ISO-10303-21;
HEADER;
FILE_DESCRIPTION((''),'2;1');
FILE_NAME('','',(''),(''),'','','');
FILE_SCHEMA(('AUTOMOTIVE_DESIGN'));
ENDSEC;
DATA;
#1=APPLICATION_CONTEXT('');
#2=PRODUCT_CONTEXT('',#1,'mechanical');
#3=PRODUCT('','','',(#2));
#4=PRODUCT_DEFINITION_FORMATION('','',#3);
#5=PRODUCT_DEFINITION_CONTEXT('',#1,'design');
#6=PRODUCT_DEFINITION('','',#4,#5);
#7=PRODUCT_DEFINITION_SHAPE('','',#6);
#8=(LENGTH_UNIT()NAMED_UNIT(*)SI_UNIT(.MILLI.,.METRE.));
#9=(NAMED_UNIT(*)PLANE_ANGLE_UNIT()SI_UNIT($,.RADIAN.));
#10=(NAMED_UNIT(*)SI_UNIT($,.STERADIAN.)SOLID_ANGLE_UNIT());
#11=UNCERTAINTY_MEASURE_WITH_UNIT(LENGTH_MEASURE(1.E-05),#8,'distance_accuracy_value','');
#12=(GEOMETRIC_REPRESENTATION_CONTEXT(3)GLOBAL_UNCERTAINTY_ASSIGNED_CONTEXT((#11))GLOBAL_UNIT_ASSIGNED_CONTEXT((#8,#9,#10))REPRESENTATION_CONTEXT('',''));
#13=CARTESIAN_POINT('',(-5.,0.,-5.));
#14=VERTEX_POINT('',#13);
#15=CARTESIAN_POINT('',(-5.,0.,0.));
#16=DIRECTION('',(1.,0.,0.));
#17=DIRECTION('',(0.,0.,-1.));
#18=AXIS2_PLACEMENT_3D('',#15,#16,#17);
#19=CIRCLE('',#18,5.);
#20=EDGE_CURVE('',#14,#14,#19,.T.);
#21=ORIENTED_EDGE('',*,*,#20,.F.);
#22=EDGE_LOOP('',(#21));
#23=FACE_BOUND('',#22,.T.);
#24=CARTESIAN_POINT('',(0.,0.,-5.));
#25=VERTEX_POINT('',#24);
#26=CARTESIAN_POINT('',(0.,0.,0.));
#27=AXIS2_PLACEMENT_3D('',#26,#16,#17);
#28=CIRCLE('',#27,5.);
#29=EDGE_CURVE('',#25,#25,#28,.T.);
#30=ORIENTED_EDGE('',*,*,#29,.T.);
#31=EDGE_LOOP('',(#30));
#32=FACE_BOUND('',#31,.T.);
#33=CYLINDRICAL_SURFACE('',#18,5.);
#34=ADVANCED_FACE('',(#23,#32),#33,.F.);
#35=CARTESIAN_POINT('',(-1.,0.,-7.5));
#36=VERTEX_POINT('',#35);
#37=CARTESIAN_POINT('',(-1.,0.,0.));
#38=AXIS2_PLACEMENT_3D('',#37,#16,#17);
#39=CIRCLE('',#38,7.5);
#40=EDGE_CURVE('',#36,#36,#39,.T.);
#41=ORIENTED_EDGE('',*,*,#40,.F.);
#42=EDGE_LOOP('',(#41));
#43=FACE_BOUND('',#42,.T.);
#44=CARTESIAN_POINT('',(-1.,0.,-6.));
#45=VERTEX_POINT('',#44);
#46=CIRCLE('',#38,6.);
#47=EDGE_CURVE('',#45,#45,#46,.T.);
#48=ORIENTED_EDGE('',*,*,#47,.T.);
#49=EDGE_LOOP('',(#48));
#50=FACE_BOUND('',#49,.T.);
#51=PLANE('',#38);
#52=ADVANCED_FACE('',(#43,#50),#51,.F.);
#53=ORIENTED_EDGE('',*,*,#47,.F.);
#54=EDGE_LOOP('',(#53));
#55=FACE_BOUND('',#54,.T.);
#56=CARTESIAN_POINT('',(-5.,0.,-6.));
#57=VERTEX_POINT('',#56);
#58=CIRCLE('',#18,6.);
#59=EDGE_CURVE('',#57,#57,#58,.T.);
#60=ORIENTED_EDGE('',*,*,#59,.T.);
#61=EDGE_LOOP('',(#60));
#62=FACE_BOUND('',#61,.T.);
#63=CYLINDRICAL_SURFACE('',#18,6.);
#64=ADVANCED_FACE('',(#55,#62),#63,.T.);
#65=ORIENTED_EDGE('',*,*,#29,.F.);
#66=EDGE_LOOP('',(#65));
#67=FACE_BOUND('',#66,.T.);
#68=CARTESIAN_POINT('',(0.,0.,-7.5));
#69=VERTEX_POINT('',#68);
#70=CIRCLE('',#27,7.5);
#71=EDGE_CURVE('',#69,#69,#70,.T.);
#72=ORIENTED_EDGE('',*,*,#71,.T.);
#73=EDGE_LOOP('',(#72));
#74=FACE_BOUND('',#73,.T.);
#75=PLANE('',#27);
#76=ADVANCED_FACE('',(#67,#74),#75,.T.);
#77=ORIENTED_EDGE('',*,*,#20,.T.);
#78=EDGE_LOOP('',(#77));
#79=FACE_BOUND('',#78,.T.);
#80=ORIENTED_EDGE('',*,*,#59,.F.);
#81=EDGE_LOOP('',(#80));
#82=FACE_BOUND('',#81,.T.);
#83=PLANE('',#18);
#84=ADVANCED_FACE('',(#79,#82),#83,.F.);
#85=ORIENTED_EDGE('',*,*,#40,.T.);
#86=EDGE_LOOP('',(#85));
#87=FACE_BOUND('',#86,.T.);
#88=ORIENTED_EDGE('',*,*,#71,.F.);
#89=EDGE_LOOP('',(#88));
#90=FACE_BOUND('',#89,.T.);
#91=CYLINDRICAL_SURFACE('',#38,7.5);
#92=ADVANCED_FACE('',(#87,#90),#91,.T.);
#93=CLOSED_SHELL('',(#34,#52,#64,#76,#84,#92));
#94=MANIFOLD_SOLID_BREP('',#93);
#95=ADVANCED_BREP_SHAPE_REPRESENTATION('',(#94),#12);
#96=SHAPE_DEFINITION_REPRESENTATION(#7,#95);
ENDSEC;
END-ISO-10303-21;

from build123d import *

# Parameters (mm, degrees)
SKETCH2_R           = 7.5
SKETCH2_R_2         = 6
BOSS_EXTRUDE1_DEPTH = 1
SKETCH2_3_R         = 6
SKETCH2_3_R_2       = 5
BOSS_EXTRUDE2_DEPTH = 5


with BuildPart() as part:
    # Sketch2 → Boss-Extrude1 (new body)
    with BuildSketch(Plane.YZ):
        Circle(SKETCH2_R)
        Circle(SKETCH2_R_2, mode=Mode.SUBTRACT)
    extrude(amount=-BOSS_EXTRUDE1_DEPTH)

    # Sketch2<3> → Boss-Extrude2 (add)
    with BuildSketch(Plane.YZ):
        Circle(SKETCH2_3_R)
        Circle(SKETCH2_3_R_2, mode=Mode.SUBTRACT)
    extrude(amount=-BOSS_EXTRUDE2_DEPTH)


solid = part.part
